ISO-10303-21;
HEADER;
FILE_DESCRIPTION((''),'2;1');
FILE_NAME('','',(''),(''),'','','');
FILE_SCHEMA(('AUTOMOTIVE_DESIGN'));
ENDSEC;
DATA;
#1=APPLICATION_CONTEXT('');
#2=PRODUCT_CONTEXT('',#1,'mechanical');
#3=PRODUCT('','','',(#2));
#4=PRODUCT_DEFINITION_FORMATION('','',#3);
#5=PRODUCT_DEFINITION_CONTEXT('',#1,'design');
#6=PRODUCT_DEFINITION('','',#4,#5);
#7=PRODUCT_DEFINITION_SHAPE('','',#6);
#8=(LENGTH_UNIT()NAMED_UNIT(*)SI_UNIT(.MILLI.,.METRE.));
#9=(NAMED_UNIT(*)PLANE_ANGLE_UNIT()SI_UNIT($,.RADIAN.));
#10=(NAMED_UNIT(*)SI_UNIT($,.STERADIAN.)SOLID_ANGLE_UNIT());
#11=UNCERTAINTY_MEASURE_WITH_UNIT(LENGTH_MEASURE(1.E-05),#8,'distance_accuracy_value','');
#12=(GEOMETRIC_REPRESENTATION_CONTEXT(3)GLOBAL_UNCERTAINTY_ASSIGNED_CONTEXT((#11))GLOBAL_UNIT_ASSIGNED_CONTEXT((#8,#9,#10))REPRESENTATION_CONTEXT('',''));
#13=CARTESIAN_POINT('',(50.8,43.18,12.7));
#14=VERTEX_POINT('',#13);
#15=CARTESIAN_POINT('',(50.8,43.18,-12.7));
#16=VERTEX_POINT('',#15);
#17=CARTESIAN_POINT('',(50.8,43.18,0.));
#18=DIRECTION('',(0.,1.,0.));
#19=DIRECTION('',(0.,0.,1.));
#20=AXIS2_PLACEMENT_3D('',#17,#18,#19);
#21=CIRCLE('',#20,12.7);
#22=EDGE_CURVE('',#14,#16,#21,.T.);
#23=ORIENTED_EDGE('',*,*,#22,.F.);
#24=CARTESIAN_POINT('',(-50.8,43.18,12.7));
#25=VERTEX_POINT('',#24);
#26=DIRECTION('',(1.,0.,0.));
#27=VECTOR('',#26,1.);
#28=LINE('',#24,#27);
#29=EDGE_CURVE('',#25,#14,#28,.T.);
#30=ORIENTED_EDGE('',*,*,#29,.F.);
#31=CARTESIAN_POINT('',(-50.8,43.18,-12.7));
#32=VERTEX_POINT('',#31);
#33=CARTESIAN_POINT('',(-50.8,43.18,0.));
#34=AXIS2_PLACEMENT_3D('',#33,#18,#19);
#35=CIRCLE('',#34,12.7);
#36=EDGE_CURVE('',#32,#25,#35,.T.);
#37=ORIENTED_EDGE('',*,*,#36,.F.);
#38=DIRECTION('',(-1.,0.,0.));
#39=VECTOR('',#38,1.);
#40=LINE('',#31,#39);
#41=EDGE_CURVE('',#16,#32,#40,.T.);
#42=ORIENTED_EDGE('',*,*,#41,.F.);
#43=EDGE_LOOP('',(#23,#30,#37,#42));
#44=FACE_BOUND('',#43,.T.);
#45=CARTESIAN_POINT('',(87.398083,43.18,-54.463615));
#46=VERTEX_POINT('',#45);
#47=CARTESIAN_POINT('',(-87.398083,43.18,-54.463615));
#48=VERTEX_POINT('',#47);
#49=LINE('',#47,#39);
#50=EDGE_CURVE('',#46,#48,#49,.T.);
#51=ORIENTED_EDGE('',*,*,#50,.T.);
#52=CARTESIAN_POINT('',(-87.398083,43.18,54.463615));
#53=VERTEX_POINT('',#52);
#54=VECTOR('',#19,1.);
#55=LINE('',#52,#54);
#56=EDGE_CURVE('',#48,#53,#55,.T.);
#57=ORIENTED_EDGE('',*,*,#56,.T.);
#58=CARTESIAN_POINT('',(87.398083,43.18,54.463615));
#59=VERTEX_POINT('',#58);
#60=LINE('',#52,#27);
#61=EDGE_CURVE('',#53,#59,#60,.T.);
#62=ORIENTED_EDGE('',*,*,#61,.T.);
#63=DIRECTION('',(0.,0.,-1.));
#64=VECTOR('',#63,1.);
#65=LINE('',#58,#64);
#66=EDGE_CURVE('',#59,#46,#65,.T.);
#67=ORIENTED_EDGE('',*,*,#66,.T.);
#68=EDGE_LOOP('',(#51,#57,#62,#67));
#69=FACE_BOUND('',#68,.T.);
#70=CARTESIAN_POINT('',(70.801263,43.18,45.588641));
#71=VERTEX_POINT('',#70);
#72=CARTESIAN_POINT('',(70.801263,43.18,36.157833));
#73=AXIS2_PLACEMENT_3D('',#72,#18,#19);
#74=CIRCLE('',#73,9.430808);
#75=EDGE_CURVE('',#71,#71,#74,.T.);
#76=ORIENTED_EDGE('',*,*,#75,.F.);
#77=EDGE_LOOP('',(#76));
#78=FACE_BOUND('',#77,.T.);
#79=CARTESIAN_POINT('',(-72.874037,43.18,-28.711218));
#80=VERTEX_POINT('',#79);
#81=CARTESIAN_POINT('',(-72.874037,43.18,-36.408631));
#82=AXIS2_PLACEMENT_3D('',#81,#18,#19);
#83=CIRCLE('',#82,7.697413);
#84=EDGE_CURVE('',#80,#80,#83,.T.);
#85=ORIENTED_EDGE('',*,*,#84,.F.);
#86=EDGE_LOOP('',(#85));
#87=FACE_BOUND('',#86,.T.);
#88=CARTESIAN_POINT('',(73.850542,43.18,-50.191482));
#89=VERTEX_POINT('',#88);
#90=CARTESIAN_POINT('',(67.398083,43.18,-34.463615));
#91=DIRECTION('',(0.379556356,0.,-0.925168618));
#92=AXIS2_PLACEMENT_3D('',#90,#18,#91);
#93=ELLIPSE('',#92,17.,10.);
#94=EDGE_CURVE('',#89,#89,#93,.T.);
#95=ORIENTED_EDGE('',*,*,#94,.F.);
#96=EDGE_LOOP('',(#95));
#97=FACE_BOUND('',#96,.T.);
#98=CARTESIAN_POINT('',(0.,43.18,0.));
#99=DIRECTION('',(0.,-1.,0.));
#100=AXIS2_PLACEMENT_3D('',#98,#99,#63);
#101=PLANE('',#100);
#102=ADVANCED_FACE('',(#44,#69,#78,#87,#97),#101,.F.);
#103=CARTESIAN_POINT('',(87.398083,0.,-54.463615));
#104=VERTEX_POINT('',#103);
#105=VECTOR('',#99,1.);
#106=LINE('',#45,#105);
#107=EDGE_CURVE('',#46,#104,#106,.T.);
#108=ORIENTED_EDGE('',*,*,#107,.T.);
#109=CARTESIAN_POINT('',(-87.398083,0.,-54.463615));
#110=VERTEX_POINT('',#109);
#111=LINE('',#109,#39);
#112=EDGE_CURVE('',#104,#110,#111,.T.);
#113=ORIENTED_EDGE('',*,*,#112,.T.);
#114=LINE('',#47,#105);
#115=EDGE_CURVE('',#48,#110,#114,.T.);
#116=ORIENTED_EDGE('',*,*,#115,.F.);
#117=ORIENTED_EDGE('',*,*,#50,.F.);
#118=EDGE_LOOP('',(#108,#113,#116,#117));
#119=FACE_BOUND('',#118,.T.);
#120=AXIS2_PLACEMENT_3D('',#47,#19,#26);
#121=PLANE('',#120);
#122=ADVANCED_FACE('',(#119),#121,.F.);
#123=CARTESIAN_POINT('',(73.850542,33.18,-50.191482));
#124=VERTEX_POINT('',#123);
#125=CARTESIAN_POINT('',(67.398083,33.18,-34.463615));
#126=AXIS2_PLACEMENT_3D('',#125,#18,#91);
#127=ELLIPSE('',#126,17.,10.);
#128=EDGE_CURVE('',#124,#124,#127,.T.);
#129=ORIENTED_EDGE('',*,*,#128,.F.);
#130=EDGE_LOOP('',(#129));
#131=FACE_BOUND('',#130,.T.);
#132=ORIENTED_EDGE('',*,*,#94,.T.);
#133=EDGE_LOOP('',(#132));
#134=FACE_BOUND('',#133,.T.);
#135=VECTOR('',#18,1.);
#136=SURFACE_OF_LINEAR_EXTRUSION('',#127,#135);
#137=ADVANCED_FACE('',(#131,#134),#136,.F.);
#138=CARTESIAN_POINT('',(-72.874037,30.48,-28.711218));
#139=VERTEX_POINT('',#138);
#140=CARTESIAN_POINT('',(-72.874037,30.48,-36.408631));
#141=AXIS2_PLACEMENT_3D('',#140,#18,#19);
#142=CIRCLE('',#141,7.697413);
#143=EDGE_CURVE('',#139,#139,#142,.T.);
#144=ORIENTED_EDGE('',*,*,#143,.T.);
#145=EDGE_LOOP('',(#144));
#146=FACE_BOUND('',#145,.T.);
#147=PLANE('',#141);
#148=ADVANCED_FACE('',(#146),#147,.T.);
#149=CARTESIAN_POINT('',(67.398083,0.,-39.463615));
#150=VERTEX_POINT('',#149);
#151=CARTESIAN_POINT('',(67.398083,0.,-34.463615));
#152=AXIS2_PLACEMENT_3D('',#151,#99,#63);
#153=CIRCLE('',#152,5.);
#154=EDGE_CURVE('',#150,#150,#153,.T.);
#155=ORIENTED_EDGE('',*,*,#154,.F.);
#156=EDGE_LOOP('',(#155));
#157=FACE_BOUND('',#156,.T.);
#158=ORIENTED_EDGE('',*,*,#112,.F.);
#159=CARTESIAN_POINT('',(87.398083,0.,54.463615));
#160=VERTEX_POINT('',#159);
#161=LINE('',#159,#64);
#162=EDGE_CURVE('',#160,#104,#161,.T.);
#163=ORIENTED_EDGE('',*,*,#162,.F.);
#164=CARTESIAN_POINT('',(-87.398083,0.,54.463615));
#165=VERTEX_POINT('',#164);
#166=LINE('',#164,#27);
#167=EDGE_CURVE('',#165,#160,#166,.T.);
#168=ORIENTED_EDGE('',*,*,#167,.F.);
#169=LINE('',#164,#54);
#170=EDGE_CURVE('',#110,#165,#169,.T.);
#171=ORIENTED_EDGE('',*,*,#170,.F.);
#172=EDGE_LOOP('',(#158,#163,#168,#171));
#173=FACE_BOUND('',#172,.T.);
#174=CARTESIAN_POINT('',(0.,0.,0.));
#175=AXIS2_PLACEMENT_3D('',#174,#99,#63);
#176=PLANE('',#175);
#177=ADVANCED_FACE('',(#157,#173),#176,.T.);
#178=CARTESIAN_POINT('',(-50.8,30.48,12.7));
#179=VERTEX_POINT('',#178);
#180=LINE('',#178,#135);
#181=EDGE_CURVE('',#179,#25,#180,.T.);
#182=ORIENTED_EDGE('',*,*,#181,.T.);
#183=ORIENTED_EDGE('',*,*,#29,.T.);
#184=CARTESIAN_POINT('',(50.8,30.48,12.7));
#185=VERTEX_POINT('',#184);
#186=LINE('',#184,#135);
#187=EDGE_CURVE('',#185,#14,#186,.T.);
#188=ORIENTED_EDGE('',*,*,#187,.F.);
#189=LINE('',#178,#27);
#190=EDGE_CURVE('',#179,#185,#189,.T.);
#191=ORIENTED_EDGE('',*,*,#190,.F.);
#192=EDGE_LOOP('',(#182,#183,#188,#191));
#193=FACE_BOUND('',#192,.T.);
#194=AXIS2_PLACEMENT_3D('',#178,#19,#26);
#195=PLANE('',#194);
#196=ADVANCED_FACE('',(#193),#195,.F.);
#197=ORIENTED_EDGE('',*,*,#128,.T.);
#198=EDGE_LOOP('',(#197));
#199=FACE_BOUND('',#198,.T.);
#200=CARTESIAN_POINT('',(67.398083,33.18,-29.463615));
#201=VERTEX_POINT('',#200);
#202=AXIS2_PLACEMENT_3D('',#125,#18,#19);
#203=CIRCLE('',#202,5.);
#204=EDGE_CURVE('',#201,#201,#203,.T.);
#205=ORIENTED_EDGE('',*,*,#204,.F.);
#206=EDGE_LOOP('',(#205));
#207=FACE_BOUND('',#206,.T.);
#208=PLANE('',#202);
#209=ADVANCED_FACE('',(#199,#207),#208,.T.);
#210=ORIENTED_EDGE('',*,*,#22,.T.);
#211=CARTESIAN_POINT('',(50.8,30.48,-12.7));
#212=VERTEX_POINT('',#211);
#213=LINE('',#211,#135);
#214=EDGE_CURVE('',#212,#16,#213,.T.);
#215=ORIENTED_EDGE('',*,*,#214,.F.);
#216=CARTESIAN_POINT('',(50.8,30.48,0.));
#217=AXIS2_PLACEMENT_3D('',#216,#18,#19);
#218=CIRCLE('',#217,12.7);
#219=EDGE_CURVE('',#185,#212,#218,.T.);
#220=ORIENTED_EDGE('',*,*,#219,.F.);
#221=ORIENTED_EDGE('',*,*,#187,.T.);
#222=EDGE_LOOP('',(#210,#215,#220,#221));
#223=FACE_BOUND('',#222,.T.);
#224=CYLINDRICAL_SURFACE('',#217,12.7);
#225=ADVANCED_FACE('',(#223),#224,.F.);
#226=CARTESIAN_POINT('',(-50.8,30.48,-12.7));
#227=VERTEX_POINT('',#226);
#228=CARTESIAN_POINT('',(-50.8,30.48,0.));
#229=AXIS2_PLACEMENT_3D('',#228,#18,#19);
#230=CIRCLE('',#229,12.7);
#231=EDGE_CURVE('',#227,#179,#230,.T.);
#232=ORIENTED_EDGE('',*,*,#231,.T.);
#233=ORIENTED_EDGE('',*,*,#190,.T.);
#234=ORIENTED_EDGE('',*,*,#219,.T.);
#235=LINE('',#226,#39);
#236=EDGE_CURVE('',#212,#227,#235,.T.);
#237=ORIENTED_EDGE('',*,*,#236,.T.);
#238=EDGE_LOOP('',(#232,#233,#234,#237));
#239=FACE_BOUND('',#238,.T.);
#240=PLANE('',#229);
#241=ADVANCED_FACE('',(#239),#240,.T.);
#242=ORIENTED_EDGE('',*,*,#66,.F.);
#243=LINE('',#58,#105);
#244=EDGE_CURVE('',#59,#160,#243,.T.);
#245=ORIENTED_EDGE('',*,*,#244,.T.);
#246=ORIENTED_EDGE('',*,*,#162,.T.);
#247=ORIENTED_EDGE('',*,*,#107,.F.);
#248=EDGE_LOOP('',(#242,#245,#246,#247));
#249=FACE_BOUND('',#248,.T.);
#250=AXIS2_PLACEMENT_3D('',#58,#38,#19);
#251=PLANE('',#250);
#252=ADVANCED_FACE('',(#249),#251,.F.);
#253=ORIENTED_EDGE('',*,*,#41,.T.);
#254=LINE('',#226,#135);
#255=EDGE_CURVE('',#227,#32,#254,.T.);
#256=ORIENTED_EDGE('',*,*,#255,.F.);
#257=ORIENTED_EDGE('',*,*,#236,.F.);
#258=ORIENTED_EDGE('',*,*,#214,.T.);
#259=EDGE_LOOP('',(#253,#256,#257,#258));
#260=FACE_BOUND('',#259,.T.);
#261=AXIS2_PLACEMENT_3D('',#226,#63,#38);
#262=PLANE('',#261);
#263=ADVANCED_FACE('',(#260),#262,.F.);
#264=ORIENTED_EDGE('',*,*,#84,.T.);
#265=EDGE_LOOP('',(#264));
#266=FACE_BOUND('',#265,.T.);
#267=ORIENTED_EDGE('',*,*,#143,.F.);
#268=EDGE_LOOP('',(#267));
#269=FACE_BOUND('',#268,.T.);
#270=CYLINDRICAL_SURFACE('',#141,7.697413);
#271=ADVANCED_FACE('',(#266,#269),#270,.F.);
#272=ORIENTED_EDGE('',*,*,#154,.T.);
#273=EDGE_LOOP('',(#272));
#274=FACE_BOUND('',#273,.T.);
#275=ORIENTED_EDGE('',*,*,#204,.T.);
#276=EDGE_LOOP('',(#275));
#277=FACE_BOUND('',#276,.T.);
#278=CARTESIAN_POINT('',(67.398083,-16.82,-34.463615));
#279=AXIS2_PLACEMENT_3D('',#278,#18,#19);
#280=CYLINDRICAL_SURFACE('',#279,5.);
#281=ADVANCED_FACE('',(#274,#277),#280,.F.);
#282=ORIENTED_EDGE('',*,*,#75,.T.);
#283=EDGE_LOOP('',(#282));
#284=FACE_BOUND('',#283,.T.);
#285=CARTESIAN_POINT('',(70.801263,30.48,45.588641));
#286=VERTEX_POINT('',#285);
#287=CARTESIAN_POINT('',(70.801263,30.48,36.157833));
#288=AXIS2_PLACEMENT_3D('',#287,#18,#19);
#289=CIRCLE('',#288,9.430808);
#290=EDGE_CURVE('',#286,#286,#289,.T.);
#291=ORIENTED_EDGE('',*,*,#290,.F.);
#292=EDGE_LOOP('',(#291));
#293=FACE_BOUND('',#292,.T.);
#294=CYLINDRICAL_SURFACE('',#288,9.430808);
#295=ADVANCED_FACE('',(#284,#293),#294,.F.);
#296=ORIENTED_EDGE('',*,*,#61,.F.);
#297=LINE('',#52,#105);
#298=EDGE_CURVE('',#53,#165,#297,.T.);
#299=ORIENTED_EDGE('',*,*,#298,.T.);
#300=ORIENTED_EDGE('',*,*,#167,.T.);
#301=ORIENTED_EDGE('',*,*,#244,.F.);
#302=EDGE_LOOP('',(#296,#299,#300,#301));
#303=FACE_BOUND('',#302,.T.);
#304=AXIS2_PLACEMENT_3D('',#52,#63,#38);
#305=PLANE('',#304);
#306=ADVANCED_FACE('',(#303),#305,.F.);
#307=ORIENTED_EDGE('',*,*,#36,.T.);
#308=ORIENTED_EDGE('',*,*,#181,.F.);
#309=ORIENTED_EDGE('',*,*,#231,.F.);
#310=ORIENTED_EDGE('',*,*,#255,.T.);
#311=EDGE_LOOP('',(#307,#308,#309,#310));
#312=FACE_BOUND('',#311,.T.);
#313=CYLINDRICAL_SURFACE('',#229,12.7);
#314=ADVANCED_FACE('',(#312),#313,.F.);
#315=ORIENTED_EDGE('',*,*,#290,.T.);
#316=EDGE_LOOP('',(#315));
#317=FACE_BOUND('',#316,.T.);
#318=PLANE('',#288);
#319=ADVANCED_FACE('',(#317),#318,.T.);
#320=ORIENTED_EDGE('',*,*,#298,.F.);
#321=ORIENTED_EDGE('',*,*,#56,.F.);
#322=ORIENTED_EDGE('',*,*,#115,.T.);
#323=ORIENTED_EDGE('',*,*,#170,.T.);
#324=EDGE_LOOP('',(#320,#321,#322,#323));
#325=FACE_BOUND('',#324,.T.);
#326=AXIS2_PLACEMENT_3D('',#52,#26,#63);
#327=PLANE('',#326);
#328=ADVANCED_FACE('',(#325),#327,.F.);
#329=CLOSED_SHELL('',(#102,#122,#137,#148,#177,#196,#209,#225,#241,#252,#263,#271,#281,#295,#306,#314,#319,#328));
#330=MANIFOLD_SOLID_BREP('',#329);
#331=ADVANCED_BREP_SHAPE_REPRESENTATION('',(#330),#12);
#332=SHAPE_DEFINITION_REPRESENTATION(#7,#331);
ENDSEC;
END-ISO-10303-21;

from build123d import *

# Parameters (mm, degrees)
SKETCH1_W           = 174.796166906
SKETCH1_H           = 108.92723011
BOSS_EXTRUDE1_DEPTH = 43.18
SKETCH2_R           = 7.697413188
SKETCH2_R_2         = 9.430807524
CUT_EXTRUDE1_DEPTH  = 12.7
SKETCH3_RX          = 17
SKETCH3_RY          = 10
CUT_EXTRUDE2_DEPTH  = 10
SKETCH4_R           = 5
CUT_EXTRUDE3_DEPTH  = 50


with BuildPart() as part:
    # Sketch1 → Boss-Extrude1 (new body)
    with BuildSketch(Plane(origin=(0, 0, 0), x_dir=(1, 0, 0), z_dir=(0, 1, 0))):
        Rectangle(SKETCH1_W, SKETCH1_H)
    extrude(amount=BOSS_EXTRUDE1_DEPTH)

    # Sketch2 → Cut-Extrude1 (cut)
    with BuildSketch(Plane(origin=(0, 43.18, 0), x_dir=(1, 0, 0), z_dir=(0, 1, 0))):
        with Locations(Location((-72.874036632, 36.40863105, 0), (0, 0, 270))):  # turned: the seam where the file's is
            Circle(SKETCH2_R)
        with Locations(Location((70.801263176, -36.157833353, 0), (0, 0, 270))):  # turned: the seam where the file's is
            Circle(SKETCH2_R_2)
        with BuildLine():
            Line((-50.8, 12.7), (50.8, 12.7))
            ThreePointArc((50.8, 12.7), (63.5, 0), (50.8, -12.7))
            Line((50.8, -12.7), (-50.8, -12.7))
            ThreePointArc((-50.8, -12.7), (-63.5, 0), (-50.8, 12.7))
        make_face()
    extrude(amount=-CUT_EXTRUDE1_DEPTH, mode=Mode.SUBTRACT)

    # Sketch3 → Cut-Extrude2 (cut)
    with BuildSketch(Plane(origin=(0, 43.18, 0), x_dir=(1, 0, 0), z_dir=(0, 1, 0))):
        with Locations(Location((67.398083453, 34.463615055), (0, 0, 67.693794945))):
            Ellipse(SKETCH3_RX, SKETCH3_RY)
    extrude(amount=-CUT_EXTRUDE2_DEPTH, mode=Mode.SUBTRACT)

    # Sketch4 → Cut-Extrude3 (cut)
    with BuildSketch(Plane(origin=(0, 33.18, 0), x_dir=(1, 0, 0), z_dir=(0, 1, 0))):
        with Locations(Location((67.398083453, 34.463615055, 0), (0, 0, 270))):  # turned: the seam where the file's is
            Circle(SKETCH4_R)
    extrude(amount=-CUT_EXTRUDE3_DEPTH, mode=Mode.SUBTRACT)


solid = part.part
